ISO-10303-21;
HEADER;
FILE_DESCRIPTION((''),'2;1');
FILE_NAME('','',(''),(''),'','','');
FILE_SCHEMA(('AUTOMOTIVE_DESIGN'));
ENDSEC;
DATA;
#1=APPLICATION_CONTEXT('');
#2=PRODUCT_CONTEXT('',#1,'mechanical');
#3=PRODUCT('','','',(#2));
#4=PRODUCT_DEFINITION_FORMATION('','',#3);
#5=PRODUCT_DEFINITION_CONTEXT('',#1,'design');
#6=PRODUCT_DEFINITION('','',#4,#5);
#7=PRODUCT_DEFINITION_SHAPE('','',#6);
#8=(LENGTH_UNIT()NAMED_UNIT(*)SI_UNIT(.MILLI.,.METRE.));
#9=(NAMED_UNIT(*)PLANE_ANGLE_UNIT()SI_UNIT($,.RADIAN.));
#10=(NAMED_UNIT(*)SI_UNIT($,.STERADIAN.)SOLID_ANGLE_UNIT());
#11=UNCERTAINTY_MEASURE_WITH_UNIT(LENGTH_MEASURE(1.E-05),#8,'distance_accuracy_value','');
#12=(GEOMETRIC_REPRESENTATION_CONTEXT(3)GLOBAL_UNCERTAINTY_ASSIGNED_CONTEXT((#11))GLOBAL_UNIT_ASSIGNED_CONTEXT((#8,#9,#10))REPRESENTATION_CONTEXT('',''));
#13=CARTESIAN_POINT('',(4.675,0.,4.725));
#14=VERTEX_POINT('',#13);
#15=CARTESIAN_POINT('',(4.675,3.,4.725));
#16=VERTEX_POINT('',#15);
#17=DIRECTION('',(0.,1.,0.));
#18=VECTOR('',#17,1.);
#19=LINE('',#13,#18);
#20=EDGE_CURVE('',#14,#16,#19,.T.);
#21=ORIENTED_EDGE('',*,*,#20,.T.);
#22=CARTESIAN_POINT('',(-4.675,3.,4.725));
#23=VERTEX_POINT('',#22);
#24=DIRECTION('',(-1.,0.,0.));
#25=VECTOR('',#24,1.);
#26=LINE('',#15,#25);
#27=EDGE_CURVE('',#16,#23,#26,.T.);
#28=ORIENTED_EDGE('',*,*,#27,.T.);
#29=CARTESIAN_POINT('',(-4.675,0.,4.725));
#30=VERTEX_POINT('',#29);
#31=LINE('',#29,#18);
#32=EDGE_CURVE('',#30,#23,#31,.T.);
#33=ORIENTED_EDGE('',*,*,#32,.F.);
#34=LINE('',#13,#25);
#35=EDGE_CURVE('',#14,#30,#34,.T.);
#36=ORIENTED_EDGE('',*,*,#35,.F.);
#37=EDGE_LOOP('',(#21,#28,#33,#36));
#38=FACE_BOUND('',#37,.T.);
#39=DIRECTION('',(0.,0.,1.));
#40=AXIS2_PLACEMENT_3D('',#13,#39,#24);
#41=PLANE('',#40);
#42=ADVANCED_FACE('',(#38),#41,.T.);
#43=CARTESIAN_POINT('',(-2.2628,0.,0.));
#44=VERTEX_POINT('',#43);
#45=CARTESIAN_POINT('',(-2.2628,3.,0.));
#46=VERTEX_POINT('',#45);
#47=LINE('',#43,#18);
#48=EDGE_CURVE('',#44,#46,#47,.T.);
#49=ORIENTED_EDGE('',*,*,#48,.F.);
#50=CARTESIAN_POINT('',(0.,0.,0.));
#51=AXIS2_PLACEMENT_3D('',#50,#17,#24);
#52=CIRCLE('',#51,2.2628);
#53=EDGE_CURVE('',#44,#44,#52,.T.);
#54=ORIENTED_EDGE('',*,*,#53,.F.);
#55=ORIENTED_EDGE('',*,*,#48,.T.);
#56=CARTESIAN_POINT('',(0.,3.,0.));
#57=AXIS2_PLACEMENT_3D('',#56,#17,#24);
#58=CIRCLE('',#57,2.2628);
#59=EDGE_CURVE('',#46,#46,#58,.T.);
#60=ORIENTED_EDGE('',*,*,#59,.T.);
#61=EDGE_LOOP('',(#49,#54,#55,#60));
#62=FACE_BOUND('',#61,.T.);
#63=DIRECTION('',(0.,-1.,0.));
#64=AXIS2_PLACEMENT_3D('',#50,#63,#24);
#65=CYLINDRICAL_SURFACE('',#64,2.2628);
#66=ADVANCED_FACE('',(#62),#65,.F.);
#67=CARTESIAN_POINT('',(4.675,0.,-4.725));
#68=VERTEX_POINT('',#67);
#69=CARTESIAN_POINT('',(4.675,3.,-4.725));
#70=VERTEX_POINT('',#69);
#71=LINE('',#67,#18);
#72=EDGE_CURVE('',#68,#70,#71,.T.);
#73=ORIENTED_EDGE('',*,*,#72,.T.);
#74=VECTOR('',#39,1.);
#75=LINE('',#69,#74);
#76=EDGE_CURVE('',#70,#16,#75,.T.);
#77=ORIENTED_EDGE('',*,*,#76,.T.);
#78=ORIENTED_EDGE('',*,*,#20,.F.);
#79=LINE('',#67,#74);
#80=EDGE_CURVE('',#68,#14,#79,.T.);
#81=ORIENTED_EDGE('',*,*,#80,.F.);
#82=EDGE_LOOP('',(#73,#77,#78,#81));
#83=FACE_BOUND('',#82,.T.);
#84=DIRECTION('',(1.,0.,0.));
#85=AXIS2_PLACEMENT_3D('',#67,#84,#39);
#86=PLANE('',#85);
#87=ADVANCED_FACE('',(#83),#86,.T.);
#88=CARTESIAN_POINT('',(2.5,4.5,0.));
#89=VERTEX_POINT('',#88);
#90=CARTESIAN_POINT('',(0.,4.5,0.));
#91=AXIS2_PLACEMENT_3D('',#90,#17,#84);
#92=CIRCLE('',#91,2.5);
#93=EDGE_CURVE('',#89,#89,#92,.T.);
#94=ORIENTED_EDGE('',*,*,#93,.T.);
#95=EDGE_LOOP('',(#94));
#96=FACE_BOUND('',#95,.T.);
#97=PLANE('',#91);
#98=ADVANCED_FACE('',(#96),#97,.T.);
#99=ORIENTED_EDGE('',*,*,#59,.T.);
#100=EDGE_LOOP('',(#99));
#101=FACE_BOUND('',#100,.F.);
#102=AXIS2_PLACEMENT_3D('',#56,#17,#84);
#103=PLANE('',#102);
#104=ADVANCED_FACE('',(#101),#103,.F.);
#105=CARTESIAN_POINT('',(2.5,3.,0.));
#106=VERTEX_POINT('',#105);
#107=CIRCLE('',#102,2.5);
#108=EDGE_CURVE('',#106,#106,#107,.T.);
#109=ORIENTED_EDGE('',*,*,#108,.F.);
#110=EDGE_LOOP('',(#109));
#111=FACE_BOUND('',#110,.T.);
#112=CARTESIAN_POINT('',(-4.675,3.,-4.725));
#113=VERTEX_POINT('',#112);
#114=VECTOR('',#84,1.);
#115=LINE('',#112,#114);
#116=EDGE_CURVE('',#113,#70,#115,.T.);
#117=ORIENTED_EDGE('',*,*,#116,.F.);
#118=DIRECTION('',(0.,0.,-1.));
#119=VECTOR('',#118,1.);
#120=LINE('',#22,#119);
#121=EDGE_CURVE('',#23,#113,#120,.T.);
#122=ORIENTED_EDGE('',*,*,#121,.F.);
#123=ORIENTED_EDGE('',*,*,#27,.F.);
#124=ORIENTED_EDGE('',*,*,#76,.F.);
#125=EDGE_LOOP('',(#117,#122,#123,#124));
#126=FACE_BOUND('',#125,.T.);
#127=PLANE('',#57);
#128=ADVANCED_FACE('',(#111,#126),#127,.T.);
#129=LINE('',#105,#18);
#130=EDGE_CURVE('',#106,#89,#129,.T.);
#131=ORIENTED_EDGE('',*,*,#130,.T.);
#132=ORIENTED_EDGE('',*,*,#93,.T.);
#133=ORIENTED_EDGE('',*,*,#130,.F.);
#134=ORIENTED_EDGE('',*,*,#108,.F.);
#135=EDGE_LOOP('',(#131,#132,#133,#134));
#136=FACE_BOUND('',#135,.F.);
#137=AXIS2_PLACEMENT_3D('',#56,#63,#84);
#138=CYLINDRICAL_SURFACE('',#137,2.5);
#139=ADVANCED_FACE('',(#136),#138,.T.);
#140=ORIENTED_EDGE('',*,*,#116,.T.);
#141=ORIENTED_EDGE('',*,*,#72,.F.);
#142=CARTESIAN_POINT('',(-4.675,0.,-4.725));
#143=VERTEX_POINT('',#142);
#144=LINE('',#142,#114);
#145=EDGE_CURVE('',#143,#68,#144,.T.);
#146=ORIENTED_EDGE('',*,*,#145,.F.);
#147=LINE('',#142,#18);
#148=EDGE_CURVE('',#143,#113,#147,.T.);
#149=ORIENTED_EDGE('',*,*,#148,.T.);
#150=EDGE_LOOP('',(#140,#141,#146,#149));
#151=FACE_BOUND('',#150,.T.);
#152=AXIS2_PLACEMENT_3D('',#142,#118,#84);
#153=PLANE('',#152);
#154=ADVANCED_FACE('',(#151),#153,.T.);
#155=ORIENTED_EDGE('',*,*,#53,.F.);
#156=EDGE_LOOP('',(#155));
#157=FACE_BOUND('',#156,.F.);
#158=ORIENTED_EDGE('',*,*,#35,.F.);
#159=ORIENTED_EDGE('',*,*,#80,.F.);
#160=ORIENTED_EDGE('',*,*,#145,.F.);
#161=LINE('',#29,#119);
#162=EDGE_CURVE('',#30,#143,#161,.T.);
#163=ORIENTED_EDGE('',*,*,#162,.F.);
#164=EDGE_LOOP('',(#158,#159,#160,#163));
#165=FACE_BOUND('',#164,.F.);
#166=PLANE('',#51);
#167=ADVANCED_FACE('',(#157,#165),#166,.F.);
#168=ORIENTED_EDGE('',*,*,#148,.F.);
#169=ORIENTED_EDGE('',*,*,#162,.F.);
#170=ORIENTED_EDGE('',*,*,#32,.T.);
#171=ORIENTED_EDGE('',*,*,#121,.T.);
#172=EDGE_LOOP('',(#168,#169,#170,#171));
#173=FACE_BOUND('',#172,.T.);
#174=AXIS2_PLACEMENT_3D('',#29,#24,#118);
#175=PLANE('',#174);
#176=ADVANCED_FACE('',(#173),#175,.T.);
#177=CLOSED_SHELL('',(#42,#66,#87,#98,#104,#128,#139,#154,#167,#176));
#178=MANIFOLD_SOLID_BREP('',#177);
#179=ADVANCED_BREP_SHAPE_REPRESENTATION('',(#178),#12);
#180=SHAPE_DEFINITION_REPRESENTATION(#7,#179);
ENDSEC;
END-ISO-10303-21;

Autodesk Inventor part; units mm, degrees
ref_plane "YZ Plane" through (0, 0, 0) normal (1, 0, 0) x (0, 1, 0)
ref_plane "XZ Plane" through (0, 0, 0) normal (0, 1, 0) x (-1, 0, 0)
ref_plane "XY Plane" through (0, 0, 0) normal (0, 0, 1) x (1, 0, 0)
sketch "Sketch1" plane through (0, 0, 0) normal (0, 1, 0) x (-1, 0, 0)
  line L0 (-4.675, 4.725) -> (4.675, 4.725)
  line L1 (4.675, 4.725) -> (4.675, -4.725)
  line L2 (4.675, -4.725) -> (-4.675, -4.725)
  line L3 (-4.675, -4.725) -> (-4.675, 4.725)
  line L4 (-4.675, 4.725) -> (4.675, -4.725) construction
  line L5 (4.675, 4.725) -> (-4.675, -4.725) construction
  circle A0 centre (0, 0) radius 2.2628
  dimension "d0" = 9.35
  dimension "d1" = 9.45
extrude "Extrusion1" add sketch "Sketch1" along normal blind 3
sketch "Sketch2" plane through (0, 3, 0) normal (0, 1, 0) x (1, 0, 0)
  circle A0 centre (0, 0) radius 2.2628 projected
  line L0 (-4.675, -4.725) -> (4.675, -4.725) projected
  line L1 (4.675, -4.725) -> (4.675, 4.725) projected
  line L2 (4.675, 4.725) -> (-4.675, 4.725) projected
  line L3 (-4.675, 4.725) -> (-4.675, -4.725) projected
  circle A1 centre (0, 0) radius 2.5
  dimension "d4" = 5
extrude "Extrusion2" add sketch "Sketch2" along normal blind 1.5 contours A0 | A1
properties part number "00_Huawei_P20_Lens"
